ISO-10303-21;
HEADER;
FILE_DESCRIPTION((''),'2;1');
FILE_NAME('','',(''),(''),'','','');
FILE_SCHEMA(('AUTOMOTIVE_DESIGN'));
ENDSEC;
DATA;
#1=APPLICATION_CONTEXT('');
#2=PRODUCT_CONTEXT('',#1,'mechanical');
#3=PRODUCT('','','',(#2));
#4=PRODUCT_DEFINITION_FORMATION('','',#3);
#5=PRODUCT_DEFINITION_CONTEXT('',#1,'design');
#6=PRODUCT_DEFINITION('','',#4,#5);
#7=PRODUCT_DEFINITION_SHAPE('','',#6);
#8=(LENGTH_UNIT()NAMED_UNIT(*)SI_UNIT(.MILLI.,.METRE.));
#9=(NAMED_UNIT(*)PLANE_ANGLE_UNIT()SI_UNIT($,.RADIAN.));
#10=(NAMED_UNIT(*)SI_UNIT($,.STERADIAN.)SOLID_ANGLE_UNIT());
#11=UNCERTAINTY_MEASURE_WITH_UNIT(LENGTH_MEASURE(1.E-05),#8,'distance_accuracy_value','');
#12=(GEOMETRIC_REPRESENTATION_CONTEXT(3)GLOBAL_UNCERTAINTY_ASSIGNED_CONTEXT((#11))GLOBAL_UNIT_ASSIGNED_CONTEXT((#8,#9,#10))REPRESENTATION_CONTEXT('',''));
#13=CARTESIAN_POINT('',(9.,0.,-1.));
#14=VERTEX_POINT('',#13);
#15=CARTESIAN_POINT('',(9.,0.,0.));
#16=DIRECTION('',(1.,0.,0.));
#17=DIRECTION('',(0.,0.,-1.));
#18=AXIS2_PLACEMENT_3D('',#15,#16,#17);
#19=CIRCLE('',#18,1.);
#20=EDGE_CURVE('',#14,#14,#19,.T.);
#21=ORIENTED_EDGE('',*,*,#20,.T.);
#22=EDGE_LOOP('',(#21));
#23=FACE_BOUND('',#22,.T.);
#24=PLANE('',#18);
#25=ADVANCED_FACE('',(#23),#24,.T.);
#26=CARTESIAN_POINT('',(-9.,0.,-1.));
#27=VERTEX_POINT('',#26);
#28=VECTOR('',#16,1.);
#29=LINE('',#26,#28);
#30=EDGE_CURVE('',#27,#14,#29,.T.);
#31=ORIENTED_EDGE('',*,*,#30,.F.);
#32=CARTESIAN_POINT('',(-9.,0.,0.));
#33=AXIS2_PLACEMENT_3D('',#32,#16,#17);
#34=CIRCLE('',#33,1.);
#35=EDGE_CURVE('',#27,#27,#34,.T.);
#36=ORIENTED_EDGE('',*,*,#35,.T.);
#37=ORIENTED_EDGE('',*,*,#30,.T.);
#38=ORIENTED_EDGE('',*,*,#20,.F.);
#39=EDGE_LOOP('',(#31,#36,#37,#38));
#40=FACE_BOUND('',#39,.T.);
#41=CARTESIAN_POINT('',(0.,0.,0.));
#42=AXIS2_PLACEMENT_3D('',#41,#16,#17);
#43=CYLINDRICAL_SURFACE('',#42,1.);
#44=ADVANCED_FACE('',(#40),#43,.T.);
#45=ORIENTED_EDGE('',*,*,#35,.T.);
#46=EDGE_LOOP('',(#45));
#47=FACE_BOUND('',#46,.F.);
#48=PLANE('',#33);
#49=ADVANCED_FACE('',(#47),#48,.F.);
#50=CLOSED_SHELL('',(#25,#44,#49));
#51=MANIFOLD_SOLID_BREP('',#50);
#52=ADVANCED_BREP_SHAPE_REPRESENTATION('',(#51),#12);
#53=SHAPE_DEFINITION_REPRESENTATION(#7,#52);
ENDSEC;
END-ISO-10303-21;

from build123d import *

# Parameters (mm, degrees)
SKETCH1_R           = 1
BOSS_EXTRUDE1_DEPTH = 9


with BuildPart() as part:
    # Sketch1 → Boss-Extrude1 (new body, symmetric)
    with BuildSketch(Plane(origin=(0, 0, 0), x_dir=(0, 0, -1), z_dir=(1, 0, 0))):
        Circle(SKETCH1_R)
    extrude(amount=BOSS_EXTRUDE1_DEPTH, both=True)


solid = part.part
